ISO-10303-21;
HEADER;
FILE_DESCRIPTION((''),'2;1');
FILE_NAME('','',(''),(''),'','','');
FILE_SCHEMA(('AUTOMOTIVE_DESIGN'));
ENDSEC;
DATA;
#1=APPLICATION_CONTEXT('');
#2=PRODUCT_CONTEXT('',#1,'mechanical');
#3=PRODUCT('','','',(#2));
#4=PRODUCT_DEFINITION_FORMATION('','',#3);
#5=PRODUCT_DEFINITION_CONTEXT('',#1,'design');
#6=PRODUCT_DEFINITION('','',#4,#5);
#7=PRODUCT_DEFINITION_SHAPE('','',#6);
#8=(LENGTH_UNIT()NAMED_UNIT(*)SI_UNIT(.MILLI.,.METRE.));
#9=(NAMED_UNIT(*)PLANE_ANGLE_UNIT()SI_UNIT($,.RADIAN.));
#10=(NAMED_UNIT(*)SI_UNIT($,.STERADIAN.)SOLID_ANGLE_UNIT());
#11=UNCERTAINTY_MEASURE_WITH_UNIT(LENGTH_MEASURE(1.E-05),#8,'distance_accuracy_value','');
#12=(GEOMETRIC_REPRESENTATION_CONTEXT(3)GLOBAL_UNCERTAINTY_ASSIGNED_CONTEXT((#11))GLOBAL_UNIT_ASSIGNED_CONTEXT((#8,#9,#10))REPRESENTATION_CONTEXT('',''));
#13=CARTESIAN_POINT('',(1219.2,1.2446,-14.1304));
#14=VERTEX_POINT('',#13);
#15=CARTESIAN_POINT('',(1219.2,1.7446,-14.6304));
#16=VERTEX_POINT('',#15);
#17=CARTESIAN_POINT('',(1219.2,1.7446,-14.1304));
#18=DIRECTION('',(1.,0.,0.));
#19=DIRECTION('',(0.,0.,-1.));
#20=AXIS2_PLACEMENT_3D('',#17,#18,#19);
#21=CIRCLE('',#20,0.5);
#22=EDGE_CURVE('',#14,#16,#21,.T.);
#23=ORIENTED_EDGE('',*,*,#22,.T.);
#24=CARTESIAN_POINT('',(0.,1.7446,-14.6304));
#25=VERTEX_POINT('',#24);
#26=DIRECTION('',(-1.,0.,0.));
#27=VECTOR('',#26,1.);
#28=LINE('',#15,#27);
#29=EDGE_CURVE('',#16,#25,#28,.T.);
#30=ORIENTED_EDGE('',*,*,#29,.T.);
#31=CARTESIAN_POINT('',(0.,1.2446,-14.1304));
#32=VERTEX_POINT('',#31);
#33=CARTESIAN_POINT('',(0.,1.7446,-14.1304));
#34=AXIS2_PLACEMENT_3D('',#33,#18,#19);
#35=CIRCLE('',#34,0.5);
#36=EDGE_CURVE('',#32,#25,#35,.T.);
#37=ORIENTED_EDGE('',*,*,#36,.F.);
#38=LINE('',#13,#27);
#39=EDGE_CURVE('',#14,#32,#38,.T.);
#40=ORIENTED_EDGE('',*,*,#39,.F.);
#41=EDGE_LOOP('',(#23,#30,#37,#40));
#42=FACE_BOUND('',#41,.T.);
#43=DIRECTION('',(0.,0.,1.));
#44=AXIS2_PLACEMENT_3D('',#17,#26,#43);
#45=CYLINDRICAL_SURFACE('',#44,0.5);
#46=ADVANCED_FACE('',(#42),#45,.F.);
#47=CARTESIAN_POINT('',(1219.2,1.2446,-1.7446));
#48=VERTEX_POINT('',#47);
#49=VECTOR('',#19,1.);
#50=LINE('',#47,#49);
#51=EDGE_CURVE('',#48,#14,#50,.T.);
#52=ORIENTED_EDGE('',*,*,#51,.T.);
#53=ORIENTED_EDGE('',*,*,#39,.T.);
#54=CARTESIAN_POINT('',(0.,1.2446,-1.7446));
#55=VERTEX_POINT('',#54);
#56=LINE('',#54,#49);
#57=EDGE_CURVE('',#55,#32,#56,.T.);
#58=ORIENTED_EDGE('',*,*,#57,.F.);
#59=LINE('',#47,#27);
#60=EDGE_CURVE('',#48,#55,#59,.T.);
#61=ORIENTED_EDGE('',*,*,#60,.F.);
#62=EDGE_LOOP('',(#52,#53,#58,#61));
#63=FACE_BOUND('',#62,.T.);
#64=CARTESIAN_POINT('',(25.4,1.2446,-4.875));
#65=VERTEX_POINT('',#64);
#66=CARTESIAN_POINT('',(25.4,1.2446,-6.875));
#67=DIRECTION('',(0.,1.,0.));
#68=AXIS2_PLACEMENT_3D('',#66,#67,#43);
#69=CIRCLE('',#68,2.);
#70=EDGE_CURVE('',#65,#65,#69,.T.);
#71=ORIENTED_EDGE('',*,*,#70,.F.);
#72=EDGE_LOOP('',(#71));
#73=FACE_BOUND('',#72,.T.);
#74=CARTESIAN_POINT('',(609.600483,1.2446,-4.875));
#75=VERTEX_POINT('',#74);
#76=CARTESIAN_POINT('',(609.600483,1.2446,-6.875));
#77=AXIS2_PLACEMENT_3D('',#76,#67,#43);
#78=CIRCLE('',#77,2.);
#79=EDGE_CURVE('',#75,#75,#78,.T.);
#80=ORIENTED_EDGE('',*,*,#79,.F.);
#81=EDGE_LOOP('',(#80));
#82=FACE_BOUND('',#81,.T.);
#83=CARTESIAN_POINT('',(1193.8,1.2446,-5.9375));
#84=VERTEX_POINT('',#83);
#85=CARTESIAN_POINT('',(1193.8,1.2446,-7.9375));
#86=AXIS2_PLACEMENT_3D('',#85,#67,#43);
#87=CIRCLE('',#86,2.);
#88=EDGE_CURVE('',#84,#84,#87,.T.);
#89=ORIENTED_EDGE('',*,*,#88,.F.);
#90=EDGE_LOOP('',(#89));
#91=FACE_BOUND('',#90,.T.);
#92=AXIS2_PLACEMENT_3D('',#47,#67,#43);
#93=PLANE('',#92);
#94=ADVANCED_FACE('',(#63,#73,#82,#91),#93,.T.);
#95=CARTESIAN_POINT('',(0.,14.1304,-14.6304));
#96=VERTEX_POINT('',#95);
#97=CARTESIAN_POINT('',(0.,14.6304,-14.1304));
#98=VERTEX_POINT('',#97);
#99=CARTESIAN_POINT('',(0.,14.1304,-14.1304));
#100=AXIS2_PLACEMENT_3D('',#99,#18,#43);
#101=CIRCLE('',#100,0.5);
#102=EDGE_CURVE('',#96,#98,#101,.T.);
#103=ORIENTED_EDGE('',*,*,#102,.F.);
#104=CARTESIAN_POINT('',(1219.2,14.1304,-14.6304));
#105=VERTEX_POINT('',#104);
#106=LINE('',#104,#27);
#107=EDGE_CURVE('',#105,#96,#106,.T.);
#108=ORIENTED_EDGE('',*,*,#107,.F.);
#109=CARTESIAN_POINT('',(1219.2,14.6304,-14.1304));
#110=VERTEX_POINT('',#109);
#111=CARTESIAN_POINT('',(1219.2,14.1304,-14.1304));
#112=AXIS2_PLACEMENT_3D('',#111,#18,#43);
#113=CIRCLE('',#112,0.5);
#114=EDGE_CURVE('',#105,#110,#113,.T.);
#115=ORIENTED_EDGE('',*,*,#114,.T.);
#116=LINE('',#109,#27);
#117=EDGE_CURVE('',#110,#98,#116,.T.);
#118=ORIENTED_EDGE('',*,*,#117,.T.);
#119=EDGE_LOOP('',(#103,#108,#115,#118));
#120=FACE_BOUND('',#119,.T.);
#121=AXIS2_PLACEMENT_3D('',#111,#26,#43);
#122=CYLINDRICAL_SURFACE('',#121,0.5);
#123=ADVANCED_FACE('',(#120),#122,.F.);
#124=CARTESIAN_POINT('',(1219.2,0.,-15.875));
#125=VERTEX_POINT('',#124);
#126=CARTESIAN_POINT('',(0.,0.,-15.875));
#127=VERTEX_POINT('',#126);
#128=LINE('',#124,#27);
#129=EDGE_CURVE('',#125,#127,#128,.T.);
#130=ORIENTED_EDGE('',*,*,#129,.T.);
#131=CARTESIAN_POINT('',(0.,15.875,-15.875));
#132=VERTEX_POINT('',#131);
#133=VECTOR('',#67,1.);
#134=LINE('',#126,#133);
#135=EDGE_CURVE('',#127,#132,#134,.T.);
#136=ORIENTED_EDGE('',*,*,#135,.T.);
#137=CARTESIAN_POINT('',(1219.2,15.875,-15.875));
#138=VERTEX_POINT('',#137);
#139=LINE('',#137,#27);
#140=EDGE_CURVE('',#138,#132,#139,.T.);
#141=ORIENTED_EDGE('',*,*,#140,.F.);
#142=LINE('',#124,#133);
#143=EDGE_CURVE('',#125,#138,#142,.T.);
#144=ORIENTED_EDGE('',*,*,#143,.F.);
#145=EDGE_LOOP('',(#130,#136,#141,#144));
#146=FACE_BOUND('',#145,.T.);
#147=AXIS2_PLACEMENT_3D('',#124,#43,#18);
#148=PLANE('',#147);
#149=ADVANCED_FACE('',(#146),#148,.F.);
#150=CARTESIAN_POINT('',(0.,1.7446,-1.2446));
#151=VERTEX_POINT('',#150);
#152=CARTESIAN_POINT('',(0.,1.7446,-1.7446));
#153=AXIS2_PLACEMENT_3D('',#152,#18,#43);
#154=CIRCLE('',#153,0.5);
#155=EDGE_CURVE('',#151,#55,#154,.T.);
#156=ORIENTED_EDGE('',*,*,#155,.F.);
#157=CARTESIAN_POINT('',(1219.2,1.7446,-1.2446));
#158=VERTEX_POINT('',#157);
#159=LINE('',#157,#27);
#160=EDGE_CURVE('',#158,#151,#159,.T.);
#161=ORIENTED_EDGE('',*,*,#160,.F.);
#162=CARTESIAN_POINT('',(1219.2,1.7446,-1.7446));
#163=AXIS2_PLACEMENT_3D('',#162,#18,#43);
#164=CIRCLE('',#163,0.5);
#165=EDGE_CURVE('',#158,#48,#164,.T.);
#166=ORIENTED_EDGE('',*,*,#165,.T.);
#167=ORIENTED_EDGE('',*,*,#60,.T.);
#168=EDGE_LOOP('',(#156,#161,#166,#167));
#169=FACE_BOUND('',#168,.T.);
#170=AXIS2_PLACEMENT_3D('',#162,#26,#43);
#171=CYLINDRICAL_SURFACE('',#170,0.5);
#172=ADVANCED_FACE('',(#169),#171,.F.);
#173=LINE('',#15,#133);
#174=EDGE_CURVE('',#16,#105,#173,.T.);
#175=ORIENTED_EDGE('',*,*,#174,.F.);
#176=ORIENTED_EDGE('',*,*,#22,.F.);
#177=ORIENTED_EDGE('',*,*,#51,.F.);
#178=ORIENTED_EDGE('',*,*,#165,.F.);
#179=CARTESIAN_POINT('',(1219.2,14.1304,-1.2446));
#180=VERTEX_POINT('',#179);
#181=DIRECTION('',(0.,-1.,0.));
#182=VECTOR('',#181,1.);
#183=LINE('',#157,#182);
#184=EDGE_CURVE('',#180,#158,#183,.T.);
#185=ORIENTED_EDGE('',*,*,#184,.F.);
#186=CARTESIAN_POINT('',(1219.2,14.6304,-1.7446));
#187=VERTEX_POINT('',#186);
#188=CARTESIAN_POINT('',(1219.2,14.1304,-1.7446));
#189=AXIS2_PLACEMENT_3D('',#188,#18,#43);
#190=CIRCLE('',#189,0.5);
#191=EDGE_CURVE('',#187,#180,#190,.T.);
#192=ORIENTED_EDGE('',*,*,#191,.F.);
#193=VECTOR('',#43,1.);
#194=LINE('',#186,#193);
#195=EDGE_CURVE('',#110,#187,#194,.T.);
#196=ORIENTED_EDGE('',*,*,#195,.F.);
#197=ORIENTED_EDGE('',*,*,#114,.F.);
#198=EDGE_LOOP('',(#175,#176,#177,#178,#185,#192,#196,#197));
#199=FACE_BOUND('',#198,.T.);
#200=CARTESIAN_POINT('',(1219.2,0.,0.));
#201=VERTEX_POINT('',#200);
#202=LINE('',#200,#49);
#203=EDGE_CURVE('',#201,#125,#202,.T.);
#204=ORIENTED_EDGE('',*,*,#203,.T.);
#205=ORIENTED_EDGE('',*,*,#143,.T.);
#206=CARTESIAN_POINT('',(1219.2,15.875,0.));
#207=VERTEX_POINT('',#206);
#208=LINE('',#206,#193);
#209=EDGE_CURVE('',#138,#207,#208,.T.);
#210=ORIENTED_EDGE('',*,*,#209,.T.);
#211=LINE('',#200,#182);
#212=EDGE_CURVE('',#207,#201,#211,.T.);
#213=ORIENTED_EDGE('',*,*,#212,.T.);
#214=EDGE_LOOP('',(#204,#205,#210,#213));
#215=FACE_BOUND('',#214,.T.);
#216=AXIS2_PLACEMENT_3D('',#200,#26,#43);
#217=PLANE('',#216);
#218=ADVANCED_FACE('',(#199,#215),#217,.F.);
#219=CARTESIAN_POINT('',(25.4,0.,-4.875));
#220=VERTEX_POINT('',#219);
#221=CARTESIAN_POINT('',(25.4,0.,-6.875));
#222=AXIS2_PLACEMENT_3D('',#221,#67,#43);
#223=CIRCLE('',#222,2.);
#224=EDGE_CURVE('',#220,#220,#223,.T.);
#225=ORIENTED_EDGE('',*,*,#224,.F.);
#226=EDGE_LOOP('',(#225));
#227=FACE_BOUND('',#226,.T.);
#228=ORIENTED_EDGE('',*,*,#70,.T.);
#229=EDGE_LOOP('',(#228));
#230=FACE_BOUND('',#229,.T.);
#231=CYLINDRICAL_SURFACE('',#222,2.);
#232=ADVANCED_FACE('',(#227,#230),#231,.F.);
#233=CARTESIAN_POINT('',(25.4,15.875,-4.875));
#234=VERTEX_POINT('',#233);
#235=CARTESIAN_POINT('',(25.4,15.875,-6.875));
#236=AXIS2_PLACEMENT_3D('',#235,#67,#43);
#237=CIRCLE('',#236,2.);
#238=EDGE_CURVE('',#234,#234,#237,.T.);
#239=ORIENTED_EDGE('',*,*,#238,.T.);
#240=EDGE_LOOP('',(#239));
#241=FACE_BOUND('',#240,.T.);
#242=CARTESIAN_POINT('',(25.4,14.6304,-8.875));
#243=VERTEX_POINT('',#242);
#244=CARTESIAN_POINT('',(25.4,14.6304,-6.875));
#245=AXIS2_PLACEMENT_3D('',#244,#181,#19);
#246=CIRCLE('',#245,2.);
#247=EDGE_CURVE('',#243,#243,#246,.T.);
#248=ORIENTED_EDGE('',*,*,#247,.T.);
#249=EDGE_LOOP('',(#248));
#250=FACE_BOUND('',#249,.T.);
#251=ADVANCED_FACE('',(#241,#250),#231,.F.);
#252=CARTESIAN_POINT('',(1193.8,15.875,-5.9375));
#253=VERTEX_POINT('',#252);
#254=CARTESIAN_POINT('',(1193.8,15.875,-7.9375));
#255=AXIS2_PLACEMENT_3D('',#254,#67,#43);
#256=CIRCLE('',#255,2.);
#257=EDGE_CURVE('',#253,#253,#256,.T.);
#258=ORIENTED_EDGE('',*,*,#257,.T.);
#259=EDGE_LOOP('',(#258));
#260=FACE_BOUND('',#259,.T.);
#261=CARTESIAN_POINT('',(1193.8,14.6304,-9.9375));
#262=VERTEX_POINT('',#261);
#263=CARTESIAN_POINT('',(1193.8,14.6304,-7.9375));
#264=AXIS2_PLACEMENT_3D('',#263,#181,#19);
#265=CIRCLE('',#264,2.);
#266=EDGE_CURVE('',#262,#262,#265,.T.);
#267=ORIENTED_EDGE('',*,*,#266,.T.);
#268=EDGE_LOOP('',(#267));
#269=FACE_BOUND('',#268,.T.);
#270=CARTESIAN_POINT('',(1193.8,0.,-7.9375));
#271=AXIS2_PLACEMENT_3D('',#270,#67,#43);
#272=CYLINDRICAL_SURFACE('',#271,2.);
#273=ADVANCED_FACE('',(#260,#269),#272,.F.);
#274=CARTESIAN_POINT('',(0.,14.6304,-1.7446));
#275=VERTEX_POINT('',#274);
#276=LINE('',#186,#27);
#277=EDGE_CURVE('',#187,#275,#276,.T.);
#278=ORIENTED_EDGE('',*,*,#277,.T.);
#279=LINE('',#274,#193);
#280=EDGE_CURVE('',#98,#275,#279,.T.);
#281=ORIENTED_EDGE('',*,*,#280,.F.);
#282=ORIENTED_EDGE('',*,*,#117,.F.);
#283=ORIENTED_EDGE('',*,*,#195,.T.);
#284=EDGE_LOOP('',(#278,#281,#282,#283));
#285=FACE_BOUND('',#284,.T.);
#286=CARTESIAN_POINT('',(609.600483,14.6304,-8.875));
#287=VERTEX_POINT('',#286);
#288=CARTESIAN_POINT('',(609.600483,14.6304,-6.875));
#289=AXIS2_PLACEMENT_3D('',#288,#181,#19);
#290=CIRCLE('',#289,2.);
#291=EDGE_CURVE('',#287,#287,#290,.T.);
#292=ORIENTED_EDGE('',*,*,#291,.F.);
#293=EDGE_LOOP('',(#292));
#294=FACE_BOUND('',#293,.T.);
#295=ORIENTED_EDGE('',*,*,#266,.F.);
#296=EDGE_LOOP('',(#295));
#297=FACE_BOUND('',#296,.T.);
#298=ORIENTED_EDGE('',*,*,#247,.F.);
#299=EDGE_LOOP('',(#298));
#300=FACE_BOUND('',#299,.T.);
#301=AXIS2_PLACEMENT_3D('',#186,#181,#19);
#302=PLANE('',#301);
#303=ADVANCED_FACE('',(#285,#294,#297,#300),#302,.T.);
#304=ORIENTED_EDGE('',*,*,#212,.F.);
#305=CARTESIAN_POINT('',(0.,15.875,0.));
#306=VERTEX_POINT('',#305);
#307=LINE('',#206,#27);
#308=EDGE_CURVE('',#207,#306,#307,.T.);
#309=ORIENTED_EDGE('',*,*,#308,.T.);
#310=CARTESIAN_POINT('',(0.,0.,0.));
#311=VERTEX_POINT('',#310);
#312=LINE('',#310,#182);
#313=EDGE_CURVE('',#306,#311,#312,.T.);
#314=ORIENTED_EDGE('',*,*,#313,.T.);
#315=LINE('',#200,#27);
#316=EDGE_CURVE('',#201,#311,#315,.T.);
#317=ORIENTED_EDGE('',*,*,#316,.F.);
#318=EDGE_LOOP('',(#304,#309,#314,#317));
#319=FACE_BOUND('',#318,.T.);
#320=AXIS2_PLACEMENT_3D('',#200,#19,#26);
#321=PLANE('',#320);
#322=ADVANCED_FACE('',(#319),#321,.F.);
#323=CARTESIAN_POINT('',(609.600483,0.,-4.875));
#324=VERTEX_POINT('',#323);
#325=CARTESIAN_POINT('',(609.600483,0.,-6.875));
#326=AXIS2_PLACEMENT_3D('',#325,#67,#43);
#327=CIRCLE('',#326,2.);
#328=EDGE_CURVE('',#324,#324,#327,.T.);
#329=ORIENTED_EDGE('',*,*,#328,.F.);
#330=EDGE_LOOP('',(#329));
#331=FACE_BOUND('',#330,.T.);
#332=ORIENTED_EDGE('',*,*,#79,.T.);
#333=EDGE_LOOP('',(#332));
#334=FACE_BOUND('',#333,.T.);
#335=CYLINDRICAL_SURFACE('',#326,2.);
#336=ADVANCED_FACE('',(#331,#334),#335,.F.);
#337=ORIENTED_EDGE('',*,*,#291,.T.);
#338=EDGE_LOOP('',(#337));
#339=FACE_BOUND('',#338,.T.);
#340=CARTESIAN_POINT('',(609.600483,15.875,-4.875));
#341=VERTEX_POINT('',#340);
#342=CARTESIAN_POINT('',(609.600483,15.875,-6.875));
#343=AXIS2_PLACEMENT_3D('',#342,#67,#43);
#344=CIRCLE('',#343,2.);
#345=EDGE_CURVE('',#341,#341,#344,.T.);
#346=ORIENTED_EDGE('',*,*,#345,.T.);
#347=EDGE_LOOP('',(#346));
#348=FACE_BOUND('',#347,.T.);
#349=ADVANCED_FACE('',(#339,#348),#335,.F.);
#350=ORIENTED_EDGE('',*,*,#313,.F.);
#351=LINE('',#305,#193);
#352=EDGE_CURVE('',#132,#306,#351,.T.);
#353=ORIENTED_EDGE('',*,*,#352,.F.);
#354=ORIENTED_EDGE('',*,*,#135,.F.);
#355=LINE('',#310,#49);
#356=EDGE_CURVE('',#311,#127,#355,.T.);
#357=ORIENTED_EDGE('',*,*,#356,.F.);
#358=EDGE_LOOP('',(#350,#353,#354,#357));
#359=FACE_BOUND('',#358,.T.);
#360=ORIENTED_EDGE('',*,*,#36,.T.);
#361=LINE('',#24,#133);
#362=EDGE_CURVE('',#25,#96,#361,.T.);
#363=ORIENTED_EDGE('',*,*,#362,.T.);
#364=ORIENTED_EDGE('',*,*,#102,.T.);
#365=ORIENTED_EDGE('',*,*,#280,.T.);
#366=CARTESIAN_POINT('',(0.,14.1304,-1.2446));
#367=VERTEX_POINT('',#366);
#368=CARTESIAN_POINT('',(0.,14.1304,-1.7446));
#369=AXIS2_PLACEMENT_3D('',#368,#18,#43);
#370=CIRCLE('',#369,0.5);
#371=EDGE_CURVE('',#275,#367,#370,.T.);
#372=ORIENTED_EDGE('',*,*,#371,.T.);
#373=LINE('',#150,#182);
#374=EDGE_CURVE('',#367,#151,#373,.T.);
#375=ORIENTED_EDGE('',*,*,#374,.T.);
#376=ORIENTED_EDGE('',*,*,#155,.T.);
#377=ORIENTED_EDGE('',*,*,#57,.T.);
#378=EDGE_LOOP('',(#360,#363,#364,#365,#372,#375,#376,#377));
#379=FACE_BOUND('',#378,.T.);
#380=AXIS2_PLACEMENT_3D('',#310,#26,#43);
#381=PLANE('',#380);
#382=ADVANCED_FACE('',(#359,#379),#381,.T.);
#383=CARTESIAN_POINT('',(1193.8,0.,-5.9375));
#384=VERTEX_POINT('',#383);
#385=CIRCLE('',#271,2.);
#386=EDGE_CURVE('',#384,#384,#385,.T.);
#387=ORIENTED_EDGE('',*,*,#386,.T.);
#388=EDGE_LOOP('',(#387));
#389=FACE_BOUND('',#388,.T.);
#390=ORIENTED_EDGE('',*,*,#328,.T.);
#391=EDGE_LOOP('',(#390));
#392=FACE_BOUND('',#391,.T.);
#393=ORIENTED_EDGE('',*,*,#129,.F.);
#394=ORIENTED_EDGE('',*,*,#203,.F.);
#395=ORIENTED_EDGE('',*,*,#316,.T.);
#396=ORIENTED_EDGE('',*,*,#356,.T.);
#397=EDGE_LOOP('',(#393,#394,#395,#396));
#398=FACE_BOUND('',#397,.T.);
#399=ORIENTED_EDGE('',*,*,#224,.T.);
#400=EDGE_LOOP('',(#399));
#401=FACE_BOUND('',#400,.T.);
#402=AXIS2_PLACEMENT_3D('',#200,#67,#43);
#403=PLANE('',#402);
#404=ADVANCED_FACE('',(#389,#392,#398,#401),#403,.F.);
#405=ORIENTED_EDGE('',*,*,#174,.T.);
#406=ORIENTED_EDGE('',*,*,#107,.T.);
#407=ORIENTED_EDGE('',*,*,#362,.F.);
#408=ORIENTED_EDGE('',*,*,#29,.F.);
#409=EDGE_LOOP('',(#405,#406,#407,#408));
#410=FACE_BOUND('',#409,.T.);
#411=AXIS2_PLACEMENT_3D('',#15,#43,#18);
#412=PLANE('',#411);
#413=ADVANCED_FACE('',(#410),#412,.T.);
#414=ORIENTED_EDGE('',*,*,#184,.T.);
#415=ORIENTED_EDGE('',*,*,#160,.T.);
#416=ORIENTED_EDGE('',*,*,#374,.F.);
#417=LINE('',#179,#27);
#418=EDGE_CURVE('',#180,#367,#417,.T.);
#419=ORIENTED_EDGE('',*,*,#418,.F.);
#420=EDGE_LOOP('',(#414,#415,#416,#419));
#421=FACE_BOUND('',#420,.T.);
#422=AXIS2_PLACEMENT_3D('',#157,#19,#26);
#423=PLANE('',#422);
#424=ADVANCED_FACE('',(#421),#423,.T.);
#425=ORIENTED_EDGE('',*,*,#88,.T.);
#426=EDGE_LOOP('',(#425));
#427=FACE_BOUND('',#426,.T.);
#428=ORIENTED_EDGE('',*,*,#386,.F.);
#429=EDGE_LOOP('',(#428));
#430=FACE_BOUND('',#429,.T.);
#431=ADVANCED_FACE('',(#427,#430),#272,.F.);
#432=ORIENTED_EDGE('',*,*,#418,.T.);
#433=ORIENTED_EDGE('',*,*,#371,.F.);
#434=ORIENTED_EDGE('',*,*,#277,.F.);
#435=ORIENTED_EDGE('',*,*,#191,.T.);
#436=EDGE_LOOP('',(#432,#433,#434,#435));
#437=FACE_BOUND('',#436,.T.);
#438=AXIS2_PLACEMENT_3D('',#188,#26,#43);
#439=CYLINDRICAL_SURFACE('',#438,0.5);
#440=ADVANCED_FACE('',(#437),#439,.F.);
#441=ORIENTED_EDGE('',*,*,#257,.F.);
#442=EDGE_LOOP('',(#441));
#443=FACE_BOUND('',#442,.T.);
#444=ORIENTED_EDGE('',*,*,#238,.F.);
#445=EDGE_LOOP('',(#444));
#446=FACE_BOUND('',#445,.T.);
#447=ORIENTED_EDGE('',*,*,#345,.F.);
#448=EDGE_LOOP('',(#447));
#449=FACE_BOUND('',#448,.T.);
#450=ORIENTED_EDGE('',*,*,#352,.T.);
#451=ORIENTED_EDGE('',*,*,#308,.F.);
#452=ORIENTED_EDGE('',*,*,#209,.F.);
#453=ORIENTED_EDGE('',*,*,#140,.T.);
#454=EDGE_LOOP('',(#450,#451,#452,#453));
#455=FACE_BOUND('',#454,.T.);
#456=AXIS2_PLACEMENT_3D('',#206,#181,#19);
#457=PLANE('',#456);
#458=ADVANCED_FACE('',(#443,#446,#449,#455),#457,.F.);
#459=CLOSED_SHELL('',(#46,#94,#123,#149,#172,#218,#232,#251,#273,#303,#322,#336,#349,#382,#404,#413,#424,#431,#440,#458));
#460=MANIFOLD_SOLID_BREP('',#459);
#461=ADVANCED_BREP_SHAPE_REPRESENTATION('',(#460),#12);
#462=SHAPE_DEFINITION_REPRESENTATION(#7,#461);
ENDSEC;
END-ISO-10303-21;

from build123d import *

# Parameters (mm, degrees)
SKETCH1_W           = 15.875
SKETCH1_H           = 15.875
BOSS_EXTRUDE1_DEPTH = 1219.2
SKETCH2_R           = 2
CUT_EXTRUDE1_DEPTH  = 16.875


with BuildPart() as part:
    # Sketch1 → Boss-Extrude1 (new body)
    with BuildSketch(Plane(origin=(0, 0, 0), x_dir=(0, 0, -1), z_dir=(1, 0, 0))):
        with Locations((7.9375, 7.9375)):
            Rectangle(SKETCH1_W, SKETCH1_H)
        with BuildLine():
            Line((1.7446, 1.2446), (14.1304, 1.2446))
            ThreePointArc((14.1304, 1.2446), (14.483953391, 1.391046609), (14.6304, 1.7446))
            Line((14.6304, 1.7446), (14.6304, 14.1304))
            ThreePointArc((14.6304, 14.1304), (14.483953391, 14.483953391), (14.1304, 14.6304))
            Line((14.1304, 14.6304), (1.7446, 14.6304))
            ThreePointArc((1.7446, 14.6304), (1.391046609, 14.483953391), (1.2446, 14.1304))
            Line((1.2446, 14.1304), (1.2446, 1.7446))
            ThreePointArc((1.2446, 1.7446), (1.391046609, 1.391046609), (1.7446, 1.2446))
        make_face(mode=Mode.SUBTRACT)
    extrude(amount=BOSS_EXTRUDE1_DEPTH)

    # Sketch2 → Cut-Extrude1 (cut, through all)
    with BuildSketch(Plane(origin=(0, 15.875, 0), x_dir=(1, 0, 0), z_dir=(0, 1, 0))):
        with Locations((609.600483099, 6.875)):
            Circle(SKETCH2_R)
        with Locations((25.4, 6.875)):
            Circle(SKETCH2_R)
        with Locations((1193.8, 7.9375)):
            Circle(SKETCH2_R)
    extrude(amount=-CUT_EXTRUDE1_DEPTH, mode=Mode.SUBTRACT)


solid = part.part
